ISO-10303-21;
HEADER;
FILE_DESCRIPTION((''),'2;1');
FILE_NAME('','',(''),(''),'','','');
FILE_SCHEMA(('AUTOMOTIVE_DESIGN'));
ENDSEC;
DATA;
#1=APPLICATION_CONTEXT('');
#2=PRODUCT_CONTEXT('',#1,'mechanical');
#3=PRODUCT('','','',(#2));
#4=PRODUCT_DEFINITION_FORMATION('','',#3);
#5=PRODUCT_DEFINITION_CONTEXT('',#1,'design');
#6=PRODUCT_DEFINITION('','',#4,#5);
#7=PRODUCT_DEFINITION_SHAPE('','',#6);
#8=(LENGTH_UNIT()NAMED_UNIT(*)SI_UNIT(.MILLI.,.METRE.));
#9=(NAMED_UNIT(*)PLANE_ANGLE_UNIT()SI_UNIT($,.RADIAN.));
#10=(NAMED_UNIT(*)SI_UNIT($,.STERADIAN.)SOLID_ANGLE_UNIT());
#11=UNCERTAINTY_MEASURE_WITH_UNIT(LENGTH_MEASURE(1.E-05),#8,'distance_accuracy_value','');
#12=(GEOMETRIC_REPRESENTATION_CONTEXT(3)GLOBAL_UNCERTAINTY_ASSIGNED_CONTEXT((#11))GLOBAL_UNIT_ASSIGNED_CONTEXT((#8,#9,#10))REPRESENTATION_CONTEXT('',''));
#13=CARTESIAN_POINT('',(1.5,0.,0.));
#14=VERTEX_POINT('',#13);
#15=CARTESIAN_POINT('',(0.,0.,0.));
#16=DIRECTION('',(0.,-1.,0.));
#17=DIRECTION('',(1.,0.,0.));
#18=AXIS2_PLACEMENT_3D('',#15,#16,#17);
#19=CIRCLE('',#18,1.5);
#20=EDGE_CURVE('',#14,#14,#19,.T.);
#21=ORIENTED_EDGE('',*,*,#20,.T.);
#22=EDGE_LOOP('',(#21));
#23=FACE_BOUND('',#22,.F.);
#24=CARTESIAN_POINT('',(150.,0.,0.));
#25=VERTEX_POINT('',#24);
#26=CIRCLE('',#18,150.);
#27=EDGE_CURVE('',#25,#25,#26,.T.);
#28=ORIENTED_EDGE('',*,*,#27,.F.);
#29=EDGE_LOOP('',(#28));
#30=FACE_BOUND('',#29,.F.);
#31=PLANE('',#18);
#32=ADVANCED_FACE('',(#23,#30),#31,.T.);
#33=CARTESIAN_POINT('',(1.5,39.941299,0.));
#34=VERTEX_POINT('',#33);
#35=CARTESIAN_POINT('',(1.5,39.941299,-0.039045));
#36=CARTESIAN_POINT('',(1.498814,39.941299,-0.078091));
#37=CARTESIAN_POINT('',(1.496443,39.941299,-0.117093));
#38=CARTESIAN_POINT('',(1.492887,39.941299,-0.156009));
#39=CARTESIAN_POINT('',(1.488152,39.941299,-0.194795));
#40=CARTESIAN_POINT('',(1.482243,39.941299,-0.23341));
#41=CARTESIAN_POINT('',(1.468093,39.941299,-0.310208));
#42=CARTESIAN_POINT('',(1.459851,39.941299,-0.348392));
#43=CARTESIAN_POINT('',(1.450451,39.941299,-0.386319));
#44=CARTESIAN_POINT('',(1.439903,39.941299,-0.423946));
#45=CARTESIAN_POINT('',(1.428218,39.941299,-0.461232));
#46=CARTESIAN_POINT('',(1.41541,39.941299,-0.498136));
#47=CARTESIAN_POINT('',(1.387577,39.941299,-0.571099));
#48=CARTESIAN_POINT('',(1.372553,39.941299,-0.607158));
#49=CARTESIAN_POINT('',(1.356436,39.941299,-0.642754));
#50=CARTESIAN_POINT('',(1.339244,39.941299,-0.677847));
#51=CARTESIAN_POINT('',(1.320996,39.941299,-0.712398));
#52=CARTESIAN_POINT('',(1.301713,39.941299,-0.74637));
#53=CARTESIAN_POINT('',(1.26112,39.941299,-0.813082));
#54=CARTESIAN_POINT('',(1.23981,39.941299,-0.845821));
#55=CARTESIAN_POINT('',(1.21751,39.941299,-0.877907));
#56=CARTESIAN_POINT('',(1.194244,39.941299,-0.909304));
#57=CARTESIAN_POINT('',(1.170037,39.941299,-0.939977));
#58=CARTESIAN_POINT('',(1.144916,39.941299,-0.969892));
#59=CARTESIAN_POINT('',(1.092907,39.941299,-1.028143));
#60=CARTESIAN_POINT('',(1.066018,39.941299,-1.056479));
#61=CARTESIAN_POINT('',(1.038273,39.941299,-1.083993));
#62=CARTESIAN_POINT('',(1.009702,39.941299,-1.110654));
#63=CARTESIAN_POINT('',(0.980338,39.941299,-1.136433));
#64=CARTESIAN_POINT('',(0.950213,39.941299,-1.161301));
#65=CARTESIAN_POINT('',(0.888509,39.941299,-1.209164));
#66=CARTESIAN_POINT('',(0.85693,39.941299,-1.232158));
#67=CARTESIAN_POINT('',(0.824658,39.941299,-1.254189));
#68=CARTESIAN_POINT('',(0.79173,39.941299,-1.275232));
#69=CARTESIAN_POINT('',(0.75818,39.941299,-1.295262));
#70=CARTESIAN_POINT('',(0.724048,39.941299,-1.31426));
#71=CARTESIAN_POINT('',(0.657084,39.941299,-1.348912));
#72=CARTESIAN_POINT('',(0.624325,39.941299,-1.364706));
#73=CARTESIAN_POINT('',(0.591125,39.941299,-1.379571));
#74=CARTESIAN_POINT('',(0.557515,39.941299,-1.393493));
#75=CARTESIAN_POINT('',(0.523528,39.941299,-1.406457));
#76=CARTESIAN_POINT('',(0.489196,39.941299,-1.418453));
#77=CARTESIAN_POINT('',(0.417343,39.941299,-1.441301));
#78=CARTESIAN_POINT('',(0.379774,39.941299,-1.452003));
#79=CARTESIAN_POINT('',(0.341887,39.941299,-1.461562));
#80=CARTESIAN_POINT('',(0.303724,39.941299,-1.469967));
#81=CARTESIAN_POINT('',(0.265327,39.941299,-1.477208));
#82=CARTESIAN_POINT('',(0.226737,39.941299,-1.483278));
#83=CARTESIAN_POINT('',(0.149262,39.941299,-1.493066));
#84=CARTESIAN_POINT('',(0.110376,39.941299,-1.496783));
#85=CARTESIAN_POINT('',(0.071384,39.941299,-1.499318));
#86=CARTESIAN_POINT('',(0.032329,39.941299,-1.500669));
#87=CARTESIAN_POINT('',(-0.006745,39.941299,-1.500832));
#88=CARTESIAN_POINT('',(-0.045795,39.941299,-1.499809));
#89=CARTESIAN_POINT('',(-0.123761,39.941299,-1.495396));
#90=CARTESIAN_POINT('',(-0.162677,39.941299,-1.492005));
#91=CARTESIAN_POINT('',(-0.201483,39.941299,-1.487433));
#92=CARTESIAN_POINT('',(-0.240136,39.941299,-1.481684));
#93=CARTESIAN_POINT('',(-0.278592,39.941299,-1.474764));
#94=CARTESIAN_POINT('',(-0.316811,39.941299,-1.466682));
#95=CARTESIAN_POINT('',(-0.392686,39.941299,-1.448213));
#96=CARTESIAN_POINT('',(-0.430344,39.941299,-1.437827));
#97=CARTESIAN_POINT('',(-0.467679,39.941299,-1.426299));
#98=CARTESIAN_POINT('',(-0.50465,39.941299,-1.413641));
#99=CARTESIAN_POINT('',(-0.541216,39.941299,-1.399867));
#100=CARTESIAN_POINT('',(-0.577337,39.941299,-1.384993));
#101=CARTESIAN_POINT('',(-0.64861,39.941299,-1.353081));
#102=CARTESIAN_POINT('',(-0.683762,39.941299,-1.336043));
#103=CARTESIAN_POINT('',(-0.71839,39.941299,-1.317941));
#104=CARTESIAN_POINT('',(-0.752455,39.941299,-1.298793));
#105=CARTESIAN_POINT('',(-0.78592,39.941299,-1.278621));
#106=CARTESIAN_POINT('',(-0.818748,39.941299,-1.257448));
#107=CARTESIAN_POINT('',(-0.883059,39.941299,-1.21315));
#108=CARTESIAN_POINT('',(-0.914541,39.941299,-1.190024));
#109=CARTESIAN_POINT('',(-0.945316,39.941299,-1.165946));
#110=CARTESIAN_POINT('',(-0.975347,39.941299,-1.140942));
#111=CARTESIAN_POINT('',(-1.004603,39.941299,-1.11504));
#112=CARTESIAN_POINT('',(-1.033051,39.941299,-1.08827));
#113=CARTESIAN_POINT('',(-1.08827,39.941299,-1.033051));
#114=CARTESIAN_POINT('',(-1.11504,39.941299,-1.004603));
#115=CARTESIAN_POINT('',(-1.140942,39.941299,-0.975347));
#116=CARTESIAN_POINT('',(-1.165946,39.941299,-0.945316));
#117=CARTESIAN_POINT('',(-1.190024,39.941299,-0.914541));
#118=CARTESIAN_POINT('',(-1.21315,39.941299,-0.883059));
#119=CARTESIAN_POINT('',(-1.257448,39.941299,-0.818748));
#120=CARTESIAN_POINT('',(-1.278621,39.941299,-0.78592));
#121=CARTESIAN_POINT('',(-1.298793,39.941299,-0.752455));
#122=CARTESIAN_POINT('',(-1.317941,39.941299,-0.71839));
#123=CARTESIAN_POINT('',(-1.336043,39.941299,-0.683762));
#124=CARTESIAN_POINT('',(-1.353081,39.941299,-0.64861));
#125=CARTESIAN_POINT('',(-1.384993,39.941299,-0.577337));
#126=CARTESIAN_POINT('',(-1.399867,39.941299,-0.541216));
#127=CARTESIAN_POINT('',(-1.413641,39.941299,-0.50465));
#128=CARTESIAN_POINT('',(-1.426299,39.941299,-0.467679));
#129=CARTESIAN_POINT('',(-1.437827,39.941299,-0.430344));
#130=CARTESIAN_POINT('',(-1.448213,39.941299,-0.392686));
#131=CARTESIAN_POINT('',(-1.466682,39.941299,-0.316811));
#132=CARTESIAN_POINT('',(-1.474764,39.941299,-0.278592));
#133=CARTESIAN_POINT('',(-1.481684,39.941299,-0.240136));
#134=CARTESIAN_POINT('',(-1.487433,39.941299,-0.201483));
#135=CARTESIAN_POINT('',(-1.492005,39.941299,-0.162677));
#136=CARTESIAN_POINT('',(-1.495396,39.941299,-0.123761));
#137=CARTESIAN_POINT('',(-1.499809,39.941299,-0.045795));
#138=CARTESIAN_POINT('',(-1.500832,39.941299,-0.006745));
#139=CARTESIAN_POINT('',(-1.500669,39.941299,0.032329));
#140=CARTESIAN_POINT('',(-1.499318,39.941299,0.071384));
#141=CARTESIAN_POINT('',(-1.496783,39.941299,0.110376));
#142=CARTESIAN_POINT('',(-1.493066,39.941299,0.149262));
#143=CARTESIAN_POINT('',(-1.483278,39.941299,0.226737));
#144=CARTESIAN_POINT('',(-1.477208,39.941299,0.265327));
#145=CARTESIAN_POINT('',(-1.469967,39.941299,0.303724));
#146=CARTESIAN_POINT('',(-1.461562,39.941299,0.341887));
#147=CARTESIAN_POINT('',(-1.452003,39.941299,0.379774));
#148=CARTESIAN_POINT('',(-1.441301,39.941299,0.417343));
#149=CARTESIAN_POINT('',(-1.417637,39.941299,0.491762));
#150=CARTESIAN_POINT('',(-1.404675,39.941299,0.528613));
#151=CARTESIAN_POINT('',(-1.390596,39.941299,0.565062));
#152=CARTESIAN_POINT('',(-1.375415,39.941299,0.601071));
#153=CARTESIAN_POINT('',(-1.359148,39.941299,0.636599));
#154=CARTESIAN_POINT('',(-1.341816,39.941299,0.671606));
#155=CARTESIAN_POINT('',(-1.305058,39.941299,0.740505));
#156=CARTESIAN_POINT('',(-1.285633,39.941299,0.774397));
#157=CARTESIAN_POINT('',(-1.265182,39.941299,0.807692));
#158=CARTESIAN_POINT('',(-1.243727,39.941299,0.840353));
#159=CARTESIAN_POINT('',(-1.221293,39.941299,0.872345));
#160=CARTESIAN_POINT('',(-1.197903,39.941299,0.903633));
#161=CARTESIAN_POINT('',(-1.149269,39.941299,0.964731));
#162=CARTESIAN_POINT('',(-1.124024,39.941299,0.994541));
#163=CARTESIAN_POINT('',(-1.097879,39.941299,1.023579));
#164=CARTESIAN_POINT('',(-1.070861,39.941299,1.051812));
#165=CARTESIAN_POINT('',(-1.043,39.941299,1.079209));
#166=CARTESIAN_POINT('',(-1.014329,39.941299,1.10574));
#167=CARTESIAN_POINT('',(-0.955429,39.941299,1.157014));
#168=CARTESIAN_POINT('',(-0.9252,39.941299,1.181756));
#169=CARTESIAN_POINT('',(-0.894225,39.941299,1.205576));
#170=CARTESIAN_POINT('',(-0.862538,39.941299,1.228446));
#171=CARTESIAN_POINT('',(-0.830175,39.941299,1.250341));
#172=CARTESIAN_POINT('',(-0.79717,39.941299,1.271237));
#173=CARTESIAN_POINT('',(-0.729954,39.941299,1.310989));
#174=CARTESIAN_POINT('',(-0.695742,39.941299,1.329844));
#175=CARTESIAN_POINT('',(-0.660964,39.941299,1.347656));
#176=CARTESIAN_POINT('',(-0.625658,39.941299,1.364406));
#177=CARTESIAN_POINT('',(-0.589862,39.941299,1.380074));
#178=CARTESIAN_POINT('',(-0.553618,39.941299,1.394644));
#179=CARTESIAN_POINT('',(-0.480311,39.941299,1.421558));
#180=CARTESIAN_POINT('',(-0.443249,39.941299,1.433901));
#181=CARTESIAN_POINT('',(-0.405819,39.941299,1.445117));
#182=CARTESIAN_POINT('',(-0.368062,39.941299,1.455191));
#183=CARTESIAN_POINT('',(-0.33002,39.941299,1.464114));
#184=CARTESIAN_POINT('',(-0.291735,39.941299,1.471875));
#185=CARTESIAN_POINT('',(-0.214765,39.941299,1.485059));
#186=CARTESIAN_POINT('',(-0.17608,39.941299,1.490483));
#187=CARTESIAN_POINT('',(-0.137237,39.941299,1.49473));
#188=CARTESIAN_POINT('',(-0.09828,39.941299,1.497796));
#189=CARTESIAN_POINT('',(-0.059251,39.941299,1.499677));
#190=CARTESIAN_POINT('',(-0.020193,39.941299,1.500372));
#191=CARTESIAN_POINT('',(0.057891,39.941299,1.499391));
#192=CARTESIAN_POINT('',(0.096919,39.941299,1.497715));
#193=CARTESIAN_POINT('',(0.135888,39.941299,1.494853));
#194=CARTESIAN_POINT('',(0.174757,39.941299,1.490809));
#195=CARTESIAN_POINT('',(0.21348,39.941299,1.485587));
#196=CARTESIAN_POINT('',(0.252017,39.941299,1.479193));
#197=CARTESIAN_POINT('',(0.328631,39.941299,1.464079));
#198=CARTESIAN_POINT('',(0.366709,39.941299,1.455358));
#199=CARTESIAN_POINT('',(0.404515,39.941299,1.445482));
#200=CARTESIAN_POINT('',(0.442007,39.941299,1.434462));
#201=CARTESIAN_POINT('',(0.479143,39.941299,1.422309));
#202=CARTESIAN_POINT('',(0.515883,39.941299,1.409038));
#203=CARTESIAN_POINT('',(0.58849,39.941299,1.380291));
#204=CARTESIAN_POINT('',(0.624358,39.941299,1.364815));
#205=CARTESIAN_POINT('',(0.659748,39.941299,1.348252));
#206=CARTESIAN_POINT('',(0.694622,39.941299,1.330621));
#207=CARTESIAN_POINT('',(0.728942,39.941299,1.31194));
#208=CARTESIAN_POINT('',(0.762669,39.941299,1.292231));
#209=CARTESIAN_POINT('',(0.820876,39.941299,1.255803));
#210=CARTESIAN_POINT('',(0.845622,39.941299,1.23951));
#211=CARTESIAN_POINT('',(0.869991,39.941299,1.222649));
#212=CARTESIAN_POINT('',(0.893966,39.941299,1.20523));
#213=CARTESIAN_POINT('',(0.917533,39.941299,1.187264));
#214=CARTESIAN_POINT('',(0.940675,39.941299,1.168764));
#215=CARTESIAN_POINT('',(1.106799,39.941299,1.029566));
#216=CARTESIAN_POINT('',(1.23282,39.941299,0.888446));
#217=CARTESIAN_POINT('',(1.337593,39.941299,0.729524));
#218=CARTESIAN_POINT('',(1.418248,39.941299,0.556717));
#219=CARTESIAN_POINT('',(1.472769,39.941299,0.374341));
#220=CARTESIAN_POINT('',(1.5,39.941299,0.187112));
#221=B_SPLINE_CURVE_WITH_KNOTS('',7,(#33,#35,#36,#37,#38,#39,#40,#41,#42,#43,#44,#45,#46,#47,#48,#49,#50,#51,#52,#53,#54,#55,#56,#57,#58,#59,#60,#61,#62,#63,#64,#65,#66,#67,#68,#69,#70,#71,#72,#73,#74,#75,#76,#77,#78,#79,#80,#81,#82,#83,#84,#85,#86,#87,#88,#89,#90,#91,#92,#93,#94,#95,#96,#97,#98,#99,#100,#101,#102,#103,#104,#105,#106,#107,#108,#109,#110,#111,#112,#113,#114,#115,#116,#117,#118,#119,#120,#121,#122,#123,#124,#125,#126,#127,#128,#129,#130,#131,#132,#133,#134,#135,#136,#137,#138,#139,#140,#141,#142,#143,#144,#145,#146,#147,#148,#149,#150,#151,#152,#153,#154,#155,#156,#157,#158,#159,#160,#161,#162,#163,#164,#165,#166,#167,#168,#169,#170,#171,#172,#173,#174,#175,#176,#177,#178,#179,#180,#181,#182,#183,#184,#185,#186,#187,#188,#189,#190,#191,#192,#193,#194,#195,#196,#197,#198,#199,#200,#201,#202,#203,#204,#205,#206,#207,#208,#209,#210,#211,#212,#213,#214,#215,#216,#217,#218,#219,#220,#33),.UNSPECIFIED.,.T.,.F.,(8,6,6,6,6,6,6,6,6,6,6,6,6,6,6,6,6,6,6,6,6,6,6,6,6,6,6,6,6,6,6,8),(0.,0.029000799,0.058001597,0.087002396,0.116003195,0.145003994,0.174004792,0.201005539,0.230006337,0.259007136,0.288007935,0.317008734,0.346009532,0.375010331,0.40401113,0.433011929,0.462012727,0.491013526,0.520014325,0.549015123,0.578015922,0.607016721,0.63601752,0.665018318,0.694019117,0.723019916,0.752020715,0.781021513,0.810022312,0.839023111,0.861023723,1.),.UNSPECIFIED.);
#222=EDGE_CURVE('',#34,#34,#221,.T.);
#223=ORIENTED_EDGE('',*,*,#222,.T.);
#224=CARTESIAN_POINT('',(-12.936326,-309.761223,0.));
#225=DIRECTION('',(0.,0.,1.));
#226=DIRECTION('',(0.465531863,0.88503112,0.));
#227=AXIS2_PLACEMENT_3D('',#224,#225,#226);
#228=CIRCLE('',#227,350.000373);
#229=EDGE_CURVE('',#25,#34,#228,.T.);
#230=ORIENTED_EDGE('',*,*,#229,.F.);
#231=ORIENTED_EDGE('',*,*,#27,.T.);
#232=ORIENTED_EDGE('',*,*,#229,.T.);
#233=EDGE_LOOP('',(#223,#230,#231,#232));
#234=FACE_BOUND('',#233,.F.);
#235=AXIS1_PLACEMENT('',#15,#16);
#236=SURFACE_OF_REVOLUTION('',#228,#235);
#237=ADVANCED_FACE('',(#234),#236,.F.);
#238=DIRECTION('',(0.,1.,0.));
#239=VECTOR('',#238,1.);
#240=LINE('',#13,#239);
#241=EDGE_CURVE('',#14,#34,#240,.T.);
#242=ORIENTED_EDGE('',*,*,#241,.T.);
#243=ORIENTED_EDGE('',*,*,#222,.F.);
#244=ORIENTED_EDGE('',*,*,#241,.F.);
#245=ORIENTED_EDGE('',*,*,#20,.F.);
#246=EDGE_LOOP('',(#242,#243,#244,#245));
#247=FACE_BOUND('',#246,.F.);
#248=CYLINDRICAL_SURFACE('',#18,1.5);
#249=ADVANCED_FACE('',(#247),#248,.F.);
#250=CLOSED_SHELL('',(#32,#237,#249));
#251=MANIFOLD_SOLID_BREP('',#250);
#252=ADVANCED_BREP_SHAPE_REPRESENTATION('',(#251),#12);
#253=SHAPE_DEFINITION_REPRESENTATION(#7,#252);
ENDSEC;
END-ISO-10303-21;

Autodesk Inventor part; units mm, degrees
ref_plane "YZ Plane" through (0, 0, 0) normal (1, 0, 0) x (0, 1, 0)
ref_plane "XZ Plane" through (0, 0, 0) normal (0, 1, 0) x (-1, 0, 0)
ref_plane "XY Plane" through (0, 0, 0) normal (0, 0, 1) x (1, 0, 0)
sketch "スケッチ1" plane through (0, 0, 0) normal (0, 0, 1) x (1, 0, 0)
  line L0 (0, 0) -> (150, 0)
  line L1 (0, 0) -> (0, 40)
  arc A0 (150, 0) -> (0, 40) centre (-12.9362, -309.7609) ccw
  dimension "d0" = 150
  dimension "d1" = 40
  dimension "d2" = 350
revolve "回転1" add sketch "スケッチ1" angle 360 about axis through (0, 0, 0) along (0, -1, 0)
sketch "スケッチ2" plane through (0, 0, 0) normal (0, -1, 0) x (1, 0, 0)
  circle A0 centre (0, 0) radius 150 projected
  circle A1 centre (0, 0) radius 1.5
  dimension "d4" = 3
extrude "押し出し1" cut sketch "スケッチ2" against normal through all contours A1
properties part number "障害物、皿"
